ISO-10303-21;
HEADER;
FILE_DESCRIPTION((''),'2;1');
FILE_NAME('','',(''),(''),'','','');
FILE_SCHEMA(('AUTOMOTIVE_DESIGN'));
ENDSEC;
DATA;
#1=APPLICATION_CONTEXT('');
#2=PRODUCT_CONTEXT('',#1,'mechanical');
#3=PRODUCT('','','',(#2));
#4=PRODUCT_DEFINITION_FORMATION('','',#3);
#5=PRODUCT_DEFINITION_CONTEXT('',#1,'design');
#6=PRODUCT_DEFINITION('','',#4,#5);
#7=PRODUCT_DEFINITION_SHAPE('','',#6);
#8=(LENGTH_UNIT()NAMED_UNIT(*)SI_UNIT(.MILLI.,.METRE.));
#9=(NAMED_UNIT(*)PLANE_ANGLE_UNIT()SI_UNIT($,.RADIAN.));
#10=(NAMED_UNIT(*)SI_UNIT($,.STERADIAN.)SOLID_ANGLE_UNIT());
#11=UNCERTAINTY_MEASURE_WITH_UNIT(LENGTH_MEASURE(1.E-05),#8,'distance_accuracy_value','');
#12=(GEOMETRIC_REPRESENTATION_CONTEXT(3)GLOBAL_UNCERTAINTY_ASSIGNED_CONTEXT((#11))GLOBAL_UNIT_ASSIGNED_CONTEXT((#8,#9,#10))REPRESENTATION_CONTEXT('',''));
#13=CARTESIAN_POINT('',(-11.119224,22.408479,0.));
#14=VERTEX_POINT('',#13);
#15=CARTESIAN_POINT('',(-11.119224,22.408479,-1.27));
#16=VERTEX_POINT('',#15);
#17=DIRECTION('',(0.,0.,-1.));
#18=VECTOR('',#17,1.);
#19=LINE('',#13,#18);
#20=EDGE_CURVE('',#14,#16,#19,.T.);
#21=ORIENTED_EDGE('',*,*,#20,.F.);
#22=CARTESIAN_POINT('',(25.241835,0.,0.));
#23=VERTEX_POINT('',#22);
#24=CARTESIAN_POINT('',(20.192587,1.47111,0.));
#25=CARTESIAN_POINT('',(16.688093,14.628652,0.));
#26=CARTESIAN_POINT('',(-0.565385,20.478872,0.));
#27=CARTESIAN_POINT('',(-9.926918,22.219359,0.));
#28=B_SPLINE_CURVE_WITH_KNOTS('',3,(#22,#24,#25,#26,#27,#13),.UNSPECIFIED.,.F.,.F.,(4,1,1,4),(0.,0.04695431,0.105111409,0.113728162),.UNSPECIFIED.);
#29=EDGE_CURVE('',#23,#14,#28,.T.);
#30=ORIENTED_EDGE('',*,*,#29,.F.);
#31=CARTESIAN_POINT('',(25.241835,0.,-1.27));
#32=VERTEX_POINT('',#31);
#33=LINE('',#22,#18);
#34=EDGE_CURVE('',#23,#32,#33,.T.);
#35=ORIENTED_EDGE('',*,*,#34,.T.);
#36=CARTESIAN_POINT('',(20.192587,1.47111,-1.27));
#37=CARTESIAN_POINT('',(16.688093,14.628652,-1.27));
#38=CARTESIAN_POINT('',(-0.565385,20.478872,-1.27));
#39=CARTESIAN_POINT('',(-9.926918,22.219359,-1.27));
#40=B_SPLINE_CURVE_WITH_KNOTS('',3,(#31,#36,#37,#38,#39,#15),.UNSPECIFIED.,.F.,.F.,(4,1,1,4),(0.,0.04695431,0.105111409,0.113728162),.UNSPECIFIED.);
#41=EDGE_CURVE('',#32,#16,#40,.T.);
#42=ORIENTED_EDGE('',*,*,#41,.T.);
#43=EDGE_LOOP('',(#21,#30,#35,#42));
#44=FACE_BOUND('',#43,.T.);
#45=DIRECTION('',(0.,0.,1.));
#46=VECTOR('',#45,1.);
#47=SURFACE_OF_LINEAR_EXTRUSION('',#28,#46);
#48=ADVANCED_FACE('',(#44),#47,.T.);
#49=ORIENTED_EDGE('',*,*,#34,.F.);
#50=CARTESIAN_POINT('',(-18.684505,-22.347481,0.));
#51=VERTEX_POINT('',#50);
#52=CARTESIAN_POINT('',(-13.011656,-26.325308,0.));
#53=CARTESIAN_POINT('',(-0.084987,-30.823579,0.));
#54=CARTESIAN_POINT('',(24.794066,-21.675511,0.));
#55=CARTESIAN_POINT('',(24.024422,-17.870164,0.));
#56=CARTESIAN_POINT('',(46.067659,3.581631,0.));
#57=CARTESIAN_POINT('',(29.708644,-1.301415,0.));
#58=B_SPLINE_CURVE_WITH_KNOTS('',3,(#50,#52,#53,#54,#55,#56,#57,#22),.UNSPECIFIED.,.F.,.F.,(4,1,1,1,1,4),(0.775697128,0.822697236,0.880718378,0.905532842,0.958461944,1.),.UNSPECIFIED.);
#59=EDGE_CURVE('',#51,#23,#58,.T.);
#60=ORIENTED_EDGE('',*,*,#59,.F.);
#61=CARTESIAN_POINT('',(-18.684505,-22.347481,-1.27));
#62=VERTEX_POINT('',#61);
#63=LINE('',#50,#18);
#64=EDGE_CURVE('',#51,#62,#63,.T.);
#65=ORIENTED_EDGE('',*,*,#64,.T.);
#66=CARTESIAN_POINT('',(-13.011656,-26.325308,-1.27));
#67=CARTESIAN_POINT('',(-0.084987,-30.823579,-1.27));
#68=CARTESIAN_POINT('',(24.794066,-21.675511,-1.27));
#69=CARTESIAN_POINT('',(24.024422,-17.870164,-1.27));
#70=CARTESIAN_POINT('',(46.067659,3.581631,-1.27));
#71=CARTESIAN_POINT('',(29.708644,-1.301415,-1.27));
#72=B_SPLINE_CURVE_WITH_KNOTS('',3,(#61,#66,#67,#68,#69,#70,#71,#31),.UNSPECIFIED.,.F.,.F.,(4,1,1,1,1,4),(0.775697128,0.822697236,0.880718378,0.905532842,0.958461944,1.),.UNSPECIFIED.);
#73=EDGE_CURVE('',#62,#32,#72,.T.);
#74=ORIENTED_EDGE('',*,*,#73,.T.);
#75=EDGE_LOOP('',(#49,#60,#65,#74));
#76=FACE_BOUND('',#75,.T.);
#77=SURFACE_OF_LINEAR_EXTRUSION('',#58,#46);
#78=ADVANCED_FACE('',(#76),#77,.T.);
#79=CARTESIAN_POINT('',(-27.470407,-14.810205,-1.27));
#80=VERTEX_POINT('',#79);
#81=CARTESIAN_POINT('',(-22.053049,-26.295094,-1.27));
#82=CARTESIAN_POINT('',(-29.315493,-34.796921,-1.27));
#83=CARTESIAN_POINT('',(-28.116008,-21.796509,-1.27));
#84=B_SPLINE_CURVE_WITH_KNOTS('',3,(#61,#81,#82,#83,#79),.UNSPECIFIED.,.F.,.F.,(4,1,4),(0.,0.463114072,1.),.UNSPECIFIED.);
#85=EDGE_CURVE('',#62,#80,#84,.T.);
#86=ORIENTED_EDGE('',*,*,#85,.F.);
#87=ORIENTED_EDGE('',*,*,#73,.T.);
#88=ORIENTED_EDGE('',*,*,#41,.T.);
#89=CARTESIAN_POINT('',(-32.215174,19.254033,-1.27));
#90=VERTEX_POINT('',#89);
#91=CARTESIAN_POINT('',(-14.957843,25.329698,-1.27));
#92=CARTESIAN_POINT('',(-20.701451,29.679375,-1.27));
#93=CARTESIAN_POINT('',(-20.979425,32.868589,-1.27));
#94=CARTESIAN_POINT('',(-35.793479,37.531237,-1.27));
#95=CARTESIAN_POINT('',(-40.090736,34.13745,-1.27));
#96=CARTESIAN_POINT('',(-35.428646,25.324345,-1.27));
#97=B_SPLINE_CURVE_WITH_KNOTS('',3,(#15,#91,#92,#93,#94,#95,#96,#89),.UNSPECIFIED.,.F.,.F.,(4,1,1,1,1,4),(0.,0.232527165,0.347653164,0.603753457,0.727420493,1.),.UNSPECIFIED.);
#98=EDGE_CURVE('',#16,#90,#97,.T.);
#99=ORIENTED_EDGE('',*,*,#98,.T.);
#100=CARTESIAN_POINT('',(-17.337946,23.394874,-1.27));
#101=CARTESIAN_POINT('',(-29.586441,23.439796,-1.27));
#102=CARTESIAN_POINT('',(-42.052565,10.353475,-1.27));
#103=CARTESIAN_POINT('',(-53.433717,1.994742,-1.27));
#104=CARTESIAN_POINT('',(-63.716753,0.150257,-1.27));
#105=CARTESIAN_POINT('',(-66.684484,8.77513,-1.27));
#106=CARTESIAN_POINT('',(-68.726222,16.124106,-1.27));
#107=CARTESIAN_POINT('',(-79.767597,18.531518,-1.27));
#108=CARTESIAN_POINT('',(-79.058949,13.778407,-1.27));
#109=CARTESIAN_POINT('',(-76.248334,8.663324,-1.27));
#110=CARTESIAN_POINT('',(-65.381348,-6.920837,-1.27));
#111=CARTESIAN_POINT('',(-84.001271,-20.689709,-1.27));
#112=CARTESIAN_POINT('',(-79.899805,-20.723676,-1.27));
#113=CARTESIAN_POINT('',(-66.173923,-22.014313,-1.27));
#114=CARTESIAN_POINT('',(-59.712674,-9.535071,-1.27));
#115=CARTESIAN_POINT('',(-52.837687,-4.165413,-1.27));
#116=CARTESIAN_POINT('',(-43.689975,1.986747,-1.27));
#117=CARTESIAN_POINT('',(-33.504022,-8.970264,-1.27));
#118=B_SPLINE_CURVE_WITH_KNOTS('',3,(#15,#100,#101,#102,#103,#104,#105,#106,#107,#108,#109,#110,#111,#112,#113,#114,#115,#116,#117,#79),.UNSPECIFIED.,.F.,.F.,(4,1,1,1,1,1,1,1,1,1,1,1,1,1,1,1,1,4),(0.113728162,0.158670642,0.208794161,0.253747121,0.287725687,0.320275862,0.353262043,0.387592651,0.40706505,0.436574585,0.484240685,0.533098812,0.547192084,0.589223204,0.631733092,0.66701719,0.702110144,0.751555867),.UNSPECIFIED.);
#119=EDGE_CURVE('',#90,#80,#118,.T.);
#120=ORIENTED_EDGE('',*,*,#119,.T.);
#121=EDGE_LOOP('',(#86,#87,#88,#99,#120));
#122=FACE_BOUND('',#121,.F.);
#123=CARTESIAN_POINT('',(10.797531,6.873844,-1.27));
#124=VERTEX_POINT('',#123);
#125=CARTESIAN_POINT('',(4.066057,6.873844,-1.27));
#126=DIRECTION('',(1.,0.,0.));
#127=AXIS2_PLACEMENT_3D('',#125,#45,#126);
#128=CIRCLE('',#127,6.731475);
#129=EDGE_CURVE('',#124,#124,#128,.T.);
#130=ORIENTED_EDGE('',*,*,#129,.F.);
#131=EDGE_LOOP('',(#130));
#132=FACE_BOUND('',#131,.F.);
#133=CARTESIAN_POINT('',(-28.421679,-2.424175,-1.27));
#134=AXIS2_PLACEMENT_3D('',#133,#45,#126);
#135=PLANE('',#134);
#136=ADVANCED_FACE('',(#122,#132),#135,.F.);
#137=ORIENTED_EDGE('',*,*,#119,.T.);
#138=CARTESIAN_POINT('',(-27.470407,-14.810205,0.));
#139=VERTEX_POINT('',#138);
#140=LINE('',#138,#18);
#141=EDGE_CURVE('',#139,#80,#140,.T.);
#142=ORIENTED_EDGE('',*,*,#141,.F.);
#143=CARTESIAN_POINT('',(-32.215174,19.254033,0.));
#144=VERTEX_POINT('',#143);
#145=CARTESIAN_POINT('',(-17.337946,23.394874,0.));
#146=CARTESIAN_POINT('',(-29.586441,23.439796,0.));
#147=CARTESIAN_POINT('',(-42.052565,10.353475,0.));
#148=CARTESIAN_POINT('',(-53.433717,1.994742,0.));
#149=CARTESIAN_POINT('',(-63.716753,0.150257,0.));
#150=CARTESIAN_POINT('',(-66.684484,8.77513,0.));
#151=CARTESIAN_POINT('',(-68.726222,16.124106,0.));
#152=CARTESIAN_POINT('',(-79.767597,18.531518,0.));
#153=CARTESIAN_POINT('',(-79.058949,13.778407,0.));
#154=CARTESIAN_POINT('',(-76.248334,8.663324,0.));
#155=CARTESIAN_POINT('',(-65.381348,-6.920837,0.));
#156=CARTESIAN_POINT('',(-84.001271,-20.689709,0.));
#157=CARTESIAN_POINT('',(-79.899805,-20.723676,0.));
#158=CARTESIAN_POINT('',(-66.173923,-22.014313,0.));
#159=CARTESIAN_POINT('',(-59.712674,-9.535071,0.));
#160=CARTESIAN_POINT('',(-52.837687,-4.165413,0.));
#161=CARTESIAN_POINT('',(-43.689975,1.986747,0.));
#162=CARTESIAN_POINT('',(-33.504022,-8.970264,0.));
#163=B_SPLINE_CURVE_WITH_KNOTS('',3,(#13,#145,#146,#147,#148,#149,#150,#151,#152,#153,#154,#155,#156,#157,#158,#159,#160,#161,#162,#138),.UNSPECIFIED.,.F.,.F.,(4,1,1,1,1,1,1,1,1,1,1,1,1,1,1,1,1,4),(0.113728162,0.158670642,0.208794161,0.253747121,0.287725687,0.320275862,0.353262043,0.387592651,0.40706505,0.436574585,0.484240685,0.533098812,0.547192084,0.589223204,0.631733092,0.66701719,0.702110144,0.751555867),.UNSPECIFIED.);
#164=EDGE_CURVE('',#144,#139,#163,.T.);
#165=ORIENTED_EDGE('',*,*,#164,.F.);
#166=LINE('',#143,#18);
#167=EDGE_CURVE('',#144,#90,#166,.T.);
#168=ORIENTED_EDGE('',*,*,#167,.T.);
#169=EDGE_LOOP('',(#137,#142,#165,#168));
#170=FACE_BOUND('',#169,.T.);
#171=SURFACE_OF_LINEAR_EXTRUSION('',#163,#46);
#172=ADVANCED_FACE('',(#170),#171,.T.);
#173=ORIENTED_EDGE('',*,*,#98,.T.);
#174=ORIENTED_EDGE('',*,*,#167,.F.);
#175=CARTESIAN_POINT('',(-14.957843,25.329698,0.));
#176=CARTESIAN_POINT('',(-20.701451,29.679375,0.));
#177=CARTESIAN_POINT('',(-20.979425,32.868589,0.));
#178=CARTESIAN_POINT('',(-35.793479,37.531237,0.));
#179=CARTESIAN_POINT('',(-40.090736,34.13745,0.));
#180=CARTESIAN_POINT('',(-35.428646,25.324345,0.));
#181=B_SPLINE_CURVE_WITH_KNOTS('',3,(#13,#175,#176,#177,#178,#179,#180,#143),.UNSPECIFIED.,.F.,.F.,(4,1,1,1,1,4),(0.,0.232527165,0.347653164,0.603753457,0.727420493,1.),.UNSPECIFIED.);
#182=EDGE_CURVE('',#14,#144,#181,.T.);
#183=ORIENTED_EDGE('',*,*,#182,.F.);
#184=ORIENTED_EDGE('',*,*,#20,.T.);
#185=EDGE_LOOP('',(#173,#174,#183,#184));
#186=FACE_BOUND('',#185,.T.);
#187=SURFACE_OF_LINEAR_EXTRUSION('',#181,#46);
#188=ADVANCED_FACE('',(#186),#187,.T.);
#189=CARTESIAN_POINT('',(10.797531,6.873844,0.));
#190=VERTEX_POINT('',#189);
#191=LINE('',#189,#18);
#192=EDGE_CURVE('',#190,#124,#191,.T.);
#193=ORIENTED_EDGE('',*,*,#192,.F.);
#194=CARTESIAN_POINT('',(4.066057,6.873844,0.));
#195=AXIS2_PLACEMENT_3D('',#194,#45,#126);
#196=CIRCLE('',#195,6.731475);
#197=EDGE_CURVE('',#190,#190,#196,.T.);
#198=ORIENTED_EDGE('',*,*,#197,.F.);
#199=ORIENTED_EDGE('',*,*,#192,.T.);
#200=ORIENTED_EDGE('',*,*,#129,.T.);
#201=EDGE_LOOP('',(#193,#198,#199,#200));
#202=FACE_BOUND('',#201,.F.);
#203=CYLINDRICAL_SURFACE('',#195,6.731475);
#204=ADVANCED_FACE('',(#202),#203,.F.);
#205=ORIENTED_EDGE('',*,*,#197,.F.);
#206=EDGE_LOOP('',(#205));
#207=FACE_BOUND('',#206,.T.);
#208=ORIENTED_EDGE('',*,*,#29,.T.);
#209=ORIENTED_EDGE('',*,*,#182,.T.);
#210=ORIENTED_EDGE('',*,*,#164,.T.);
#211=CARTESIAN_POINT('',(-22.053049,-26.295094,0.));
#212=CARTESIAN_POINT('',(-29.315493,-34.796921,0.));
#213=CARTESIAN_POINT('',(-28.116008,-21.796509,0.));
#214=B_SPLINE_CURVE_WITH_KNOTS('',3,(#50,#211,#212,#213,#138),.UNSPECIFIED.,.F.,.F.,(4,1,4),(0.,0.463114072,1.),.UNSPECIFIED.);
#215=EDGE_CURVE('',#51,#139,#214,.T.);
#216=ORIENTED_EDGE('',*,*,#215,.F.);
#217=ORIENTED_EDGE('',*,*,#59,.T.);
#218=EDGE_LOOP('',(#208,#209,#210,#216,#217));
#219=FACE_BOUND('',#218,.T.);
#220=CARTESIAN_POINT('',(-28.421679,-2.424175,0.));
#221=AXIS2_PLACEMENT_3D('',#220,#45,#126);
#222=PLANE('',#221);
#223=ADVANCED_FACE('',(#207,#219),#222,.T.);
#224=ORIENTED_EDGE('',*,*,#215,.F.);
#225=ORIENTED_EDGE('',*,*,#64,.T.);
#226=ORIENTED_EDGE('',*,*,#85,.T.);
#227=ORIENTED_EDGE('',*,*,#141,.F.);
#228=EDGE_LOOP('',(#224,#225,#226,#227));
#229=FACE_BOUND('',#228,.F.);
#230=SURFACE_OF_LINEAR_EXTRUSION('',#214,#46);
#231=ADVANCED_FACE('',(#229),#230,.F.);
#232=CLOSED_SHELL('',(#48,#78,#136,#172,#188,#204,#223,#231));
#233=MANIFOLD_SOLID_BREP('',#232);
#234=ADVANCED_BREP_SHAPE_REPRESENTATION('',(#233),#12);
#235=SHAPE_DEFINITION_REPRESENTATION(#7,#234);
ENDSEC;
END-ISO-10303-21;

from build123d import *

# Parameters (mm, degrees)
F0_R     = 6.731474922
F1_DEPTH = 1.27


with BuildPart() as f1:
    # F0 (on Top) → F1 (new body)
    with BuildSketch(Plane.XY):
        with BuildLine():
            add(Edge.make_bspline(
                [(-18.6845051993, -22.3474812184), (-13.0116557158, -26.3253076474), (-0.0849869405, -30.8235785936), (24.7940661502, -21.6755113538), (24.0244223457, -17.8701636896), (46.0676589408, 3.5816309272), (29.7086439573, -1.3014154972), (25.2418350428, 0)],
                knots=[0.7756971279, 0.7756971279, 0.7756971279, 0.7756971279, 0.8226972362, 0.8807183783, 0.9055328419, 0.9584619436, 1, 1, 1, 1], degree=3))
            add(Edge.make_bspline(
                [(25.2418350428, 0), (20.1925874205, 1.4711104126), (16.6880931081, 14.6286522049), (-0.5653849432, 20.4788718858), (-9.9269182033, 22.2193589483), (-11.1192242169, 22.4084790109)],
                knots=[0, 0, 0, 0, 0.0469543105, 0.105111409, 0.1137281625, 0.1137281625, 0.1137281625, 0.1137281625], degree=3))
            add(Edge.make_bspline(
                [(-11.1192242169, 22.4084790109), (-17.3379456053, 23.3948742522), (-24.8228663315, 23.4223251712), (-30.8945013748, 20.1150893296), (-32.215174453, 19.2540330903)],
                knots=[0.1137281625, 0.1137281625, 0.1137281625, 0.1137281625, 0.1586706424, 0.1718219477, 0.1718219477, 0.1718219477, 0.1718219477], degree=3))
            add(Edge.make_bspline(
                [(-32.215174453, 19.2540330903), (-35.9279774964, 16.8333490629), (-43.2123571861, 9.5016817732), (-53.4337174582, 1.9947424498), (-63.7167534105, 0.1502574635), (-66.6844836962, 8.7751298138), (-68.7262220481, 16.1241062543), (-79.7675965069, 18.5315178813), (-79.0589491707, 13.7784066364), (-76.2483336162, 8.6633240813), (-65.3813482157, -6.9208371067), (-84.0012711752, -20.6897089074), (-79.8998054634, -20.7236755939), (-66.1739225488, -22.0143129049), (-59.712674327, -9.5350711018), (-52.8376872946, -4.1654125401), (-43.6899753217, 1.9867474246), (-33.5040222983, -8.9702642767), (-27.4704072126, -14.8102050999)],
                knots=[0.1718219477, 0.1718219477, 0.1718219477, 0.1718219477, 0.2087941608, 0.2537471215, 0.287725687, 0.3202758623, 0.3532620432, 0.3875926519, 0.4070650508, 0.4365745854, 0.4842406855, 0.5330988133, 0.5471920852, 0.5892232049, 0.6317330936, 0.6670171915, 0.7021101453, 0.7515558687, 0.7515558687, 0.7515558687, 0.7515558687], degree=3))
            add(Edge.make_bspline(
                [(-27.4704072126, -14.8102050999), (-25.9173699518, -16.3133910955), (-22.9619857909, -19.0932013412), (-20.0621662044, -21.3814594031), (-18.6845051993, -22.3474812184)],
                knots=[0.7515558687, 0.7515558687, 0.7515558687, 0.7515558687, 0.7642830728, 0.7756971279, 0.7756971279, 0.7756971279, 0.7756971279], degree=3))
        make_face()
        with Locations((4.0660565719, 6.8738441914)):
            Circle(F0_R, mode=Mode.SUBTRACT)
        with BuildLine():
            add(Edge.make_bspline(
                [(-11.1192242169, 22.4084790109), (-17.3379456053, 23.3948742522), (-24.8228663315, 23.4223251712), (-30.8945013748, 20.1150893296), (-32.215174453, 19.2540330903)],
                knots=[0.1137281625, 0.1137281625, 0.1137281625, 0.1137281625, 0.1586706424, 0.1718219477, 0.1718219477, 0.1718219477, 0.1718219477], degree=3))
            add(Edge.make_bspline(
                [(-11.1192242169, 22.4084790109), (-14.9578425596, 25.3296980441), (-20.701451275, 29.6793745748), (-20.9794248927, 32.8685887255), (-35.7934787013, 37.5312366105), (-40.0907360367, 34.137450417), (-35.4286457301, 25.3243447668), (-32.215174453, 19.2540330903)],
                knots=[0, 0, 0, 0, 0.2325271649, 0.3476531636, 0.6037534569, 0.7274204933, 1, 1, 1, 1], degree=3))
        make_face()
        with BuildLine():
            add(Edge.make_bspline(
                [(-18.6845051993, -22.3474812184), (-22.0530490672, -26.2950942109), (-29.3154933298, -34.7969205834), (-28.1160081473, -21.7965087858), (-27.4704072126, -14.8102050999)],
                knots=[0, 0, 0, 0, 0.4631140723, 1, 1, 1, 1], degree=3))
            add(Edge.make_bspline(
                [(-27.4704072126, -14.8102050999), (-25.9173699518, -16.3133910955), (-22.9619857909, -19.0932013412), (-20.0621662044, -21.3814594031), (-18.6845051993, -22.3474812184)],
                knots=[0.7515558687, 0.7515558687, 0.7515558687, 0.7515558687, 0.7642830728, 0.7756971279, 0.7756971279, 0.7756971279, 0.7756971279], degree=3))
        make_face()
    extrude(amount=-F1_DEPTH)


solid = f1.part
